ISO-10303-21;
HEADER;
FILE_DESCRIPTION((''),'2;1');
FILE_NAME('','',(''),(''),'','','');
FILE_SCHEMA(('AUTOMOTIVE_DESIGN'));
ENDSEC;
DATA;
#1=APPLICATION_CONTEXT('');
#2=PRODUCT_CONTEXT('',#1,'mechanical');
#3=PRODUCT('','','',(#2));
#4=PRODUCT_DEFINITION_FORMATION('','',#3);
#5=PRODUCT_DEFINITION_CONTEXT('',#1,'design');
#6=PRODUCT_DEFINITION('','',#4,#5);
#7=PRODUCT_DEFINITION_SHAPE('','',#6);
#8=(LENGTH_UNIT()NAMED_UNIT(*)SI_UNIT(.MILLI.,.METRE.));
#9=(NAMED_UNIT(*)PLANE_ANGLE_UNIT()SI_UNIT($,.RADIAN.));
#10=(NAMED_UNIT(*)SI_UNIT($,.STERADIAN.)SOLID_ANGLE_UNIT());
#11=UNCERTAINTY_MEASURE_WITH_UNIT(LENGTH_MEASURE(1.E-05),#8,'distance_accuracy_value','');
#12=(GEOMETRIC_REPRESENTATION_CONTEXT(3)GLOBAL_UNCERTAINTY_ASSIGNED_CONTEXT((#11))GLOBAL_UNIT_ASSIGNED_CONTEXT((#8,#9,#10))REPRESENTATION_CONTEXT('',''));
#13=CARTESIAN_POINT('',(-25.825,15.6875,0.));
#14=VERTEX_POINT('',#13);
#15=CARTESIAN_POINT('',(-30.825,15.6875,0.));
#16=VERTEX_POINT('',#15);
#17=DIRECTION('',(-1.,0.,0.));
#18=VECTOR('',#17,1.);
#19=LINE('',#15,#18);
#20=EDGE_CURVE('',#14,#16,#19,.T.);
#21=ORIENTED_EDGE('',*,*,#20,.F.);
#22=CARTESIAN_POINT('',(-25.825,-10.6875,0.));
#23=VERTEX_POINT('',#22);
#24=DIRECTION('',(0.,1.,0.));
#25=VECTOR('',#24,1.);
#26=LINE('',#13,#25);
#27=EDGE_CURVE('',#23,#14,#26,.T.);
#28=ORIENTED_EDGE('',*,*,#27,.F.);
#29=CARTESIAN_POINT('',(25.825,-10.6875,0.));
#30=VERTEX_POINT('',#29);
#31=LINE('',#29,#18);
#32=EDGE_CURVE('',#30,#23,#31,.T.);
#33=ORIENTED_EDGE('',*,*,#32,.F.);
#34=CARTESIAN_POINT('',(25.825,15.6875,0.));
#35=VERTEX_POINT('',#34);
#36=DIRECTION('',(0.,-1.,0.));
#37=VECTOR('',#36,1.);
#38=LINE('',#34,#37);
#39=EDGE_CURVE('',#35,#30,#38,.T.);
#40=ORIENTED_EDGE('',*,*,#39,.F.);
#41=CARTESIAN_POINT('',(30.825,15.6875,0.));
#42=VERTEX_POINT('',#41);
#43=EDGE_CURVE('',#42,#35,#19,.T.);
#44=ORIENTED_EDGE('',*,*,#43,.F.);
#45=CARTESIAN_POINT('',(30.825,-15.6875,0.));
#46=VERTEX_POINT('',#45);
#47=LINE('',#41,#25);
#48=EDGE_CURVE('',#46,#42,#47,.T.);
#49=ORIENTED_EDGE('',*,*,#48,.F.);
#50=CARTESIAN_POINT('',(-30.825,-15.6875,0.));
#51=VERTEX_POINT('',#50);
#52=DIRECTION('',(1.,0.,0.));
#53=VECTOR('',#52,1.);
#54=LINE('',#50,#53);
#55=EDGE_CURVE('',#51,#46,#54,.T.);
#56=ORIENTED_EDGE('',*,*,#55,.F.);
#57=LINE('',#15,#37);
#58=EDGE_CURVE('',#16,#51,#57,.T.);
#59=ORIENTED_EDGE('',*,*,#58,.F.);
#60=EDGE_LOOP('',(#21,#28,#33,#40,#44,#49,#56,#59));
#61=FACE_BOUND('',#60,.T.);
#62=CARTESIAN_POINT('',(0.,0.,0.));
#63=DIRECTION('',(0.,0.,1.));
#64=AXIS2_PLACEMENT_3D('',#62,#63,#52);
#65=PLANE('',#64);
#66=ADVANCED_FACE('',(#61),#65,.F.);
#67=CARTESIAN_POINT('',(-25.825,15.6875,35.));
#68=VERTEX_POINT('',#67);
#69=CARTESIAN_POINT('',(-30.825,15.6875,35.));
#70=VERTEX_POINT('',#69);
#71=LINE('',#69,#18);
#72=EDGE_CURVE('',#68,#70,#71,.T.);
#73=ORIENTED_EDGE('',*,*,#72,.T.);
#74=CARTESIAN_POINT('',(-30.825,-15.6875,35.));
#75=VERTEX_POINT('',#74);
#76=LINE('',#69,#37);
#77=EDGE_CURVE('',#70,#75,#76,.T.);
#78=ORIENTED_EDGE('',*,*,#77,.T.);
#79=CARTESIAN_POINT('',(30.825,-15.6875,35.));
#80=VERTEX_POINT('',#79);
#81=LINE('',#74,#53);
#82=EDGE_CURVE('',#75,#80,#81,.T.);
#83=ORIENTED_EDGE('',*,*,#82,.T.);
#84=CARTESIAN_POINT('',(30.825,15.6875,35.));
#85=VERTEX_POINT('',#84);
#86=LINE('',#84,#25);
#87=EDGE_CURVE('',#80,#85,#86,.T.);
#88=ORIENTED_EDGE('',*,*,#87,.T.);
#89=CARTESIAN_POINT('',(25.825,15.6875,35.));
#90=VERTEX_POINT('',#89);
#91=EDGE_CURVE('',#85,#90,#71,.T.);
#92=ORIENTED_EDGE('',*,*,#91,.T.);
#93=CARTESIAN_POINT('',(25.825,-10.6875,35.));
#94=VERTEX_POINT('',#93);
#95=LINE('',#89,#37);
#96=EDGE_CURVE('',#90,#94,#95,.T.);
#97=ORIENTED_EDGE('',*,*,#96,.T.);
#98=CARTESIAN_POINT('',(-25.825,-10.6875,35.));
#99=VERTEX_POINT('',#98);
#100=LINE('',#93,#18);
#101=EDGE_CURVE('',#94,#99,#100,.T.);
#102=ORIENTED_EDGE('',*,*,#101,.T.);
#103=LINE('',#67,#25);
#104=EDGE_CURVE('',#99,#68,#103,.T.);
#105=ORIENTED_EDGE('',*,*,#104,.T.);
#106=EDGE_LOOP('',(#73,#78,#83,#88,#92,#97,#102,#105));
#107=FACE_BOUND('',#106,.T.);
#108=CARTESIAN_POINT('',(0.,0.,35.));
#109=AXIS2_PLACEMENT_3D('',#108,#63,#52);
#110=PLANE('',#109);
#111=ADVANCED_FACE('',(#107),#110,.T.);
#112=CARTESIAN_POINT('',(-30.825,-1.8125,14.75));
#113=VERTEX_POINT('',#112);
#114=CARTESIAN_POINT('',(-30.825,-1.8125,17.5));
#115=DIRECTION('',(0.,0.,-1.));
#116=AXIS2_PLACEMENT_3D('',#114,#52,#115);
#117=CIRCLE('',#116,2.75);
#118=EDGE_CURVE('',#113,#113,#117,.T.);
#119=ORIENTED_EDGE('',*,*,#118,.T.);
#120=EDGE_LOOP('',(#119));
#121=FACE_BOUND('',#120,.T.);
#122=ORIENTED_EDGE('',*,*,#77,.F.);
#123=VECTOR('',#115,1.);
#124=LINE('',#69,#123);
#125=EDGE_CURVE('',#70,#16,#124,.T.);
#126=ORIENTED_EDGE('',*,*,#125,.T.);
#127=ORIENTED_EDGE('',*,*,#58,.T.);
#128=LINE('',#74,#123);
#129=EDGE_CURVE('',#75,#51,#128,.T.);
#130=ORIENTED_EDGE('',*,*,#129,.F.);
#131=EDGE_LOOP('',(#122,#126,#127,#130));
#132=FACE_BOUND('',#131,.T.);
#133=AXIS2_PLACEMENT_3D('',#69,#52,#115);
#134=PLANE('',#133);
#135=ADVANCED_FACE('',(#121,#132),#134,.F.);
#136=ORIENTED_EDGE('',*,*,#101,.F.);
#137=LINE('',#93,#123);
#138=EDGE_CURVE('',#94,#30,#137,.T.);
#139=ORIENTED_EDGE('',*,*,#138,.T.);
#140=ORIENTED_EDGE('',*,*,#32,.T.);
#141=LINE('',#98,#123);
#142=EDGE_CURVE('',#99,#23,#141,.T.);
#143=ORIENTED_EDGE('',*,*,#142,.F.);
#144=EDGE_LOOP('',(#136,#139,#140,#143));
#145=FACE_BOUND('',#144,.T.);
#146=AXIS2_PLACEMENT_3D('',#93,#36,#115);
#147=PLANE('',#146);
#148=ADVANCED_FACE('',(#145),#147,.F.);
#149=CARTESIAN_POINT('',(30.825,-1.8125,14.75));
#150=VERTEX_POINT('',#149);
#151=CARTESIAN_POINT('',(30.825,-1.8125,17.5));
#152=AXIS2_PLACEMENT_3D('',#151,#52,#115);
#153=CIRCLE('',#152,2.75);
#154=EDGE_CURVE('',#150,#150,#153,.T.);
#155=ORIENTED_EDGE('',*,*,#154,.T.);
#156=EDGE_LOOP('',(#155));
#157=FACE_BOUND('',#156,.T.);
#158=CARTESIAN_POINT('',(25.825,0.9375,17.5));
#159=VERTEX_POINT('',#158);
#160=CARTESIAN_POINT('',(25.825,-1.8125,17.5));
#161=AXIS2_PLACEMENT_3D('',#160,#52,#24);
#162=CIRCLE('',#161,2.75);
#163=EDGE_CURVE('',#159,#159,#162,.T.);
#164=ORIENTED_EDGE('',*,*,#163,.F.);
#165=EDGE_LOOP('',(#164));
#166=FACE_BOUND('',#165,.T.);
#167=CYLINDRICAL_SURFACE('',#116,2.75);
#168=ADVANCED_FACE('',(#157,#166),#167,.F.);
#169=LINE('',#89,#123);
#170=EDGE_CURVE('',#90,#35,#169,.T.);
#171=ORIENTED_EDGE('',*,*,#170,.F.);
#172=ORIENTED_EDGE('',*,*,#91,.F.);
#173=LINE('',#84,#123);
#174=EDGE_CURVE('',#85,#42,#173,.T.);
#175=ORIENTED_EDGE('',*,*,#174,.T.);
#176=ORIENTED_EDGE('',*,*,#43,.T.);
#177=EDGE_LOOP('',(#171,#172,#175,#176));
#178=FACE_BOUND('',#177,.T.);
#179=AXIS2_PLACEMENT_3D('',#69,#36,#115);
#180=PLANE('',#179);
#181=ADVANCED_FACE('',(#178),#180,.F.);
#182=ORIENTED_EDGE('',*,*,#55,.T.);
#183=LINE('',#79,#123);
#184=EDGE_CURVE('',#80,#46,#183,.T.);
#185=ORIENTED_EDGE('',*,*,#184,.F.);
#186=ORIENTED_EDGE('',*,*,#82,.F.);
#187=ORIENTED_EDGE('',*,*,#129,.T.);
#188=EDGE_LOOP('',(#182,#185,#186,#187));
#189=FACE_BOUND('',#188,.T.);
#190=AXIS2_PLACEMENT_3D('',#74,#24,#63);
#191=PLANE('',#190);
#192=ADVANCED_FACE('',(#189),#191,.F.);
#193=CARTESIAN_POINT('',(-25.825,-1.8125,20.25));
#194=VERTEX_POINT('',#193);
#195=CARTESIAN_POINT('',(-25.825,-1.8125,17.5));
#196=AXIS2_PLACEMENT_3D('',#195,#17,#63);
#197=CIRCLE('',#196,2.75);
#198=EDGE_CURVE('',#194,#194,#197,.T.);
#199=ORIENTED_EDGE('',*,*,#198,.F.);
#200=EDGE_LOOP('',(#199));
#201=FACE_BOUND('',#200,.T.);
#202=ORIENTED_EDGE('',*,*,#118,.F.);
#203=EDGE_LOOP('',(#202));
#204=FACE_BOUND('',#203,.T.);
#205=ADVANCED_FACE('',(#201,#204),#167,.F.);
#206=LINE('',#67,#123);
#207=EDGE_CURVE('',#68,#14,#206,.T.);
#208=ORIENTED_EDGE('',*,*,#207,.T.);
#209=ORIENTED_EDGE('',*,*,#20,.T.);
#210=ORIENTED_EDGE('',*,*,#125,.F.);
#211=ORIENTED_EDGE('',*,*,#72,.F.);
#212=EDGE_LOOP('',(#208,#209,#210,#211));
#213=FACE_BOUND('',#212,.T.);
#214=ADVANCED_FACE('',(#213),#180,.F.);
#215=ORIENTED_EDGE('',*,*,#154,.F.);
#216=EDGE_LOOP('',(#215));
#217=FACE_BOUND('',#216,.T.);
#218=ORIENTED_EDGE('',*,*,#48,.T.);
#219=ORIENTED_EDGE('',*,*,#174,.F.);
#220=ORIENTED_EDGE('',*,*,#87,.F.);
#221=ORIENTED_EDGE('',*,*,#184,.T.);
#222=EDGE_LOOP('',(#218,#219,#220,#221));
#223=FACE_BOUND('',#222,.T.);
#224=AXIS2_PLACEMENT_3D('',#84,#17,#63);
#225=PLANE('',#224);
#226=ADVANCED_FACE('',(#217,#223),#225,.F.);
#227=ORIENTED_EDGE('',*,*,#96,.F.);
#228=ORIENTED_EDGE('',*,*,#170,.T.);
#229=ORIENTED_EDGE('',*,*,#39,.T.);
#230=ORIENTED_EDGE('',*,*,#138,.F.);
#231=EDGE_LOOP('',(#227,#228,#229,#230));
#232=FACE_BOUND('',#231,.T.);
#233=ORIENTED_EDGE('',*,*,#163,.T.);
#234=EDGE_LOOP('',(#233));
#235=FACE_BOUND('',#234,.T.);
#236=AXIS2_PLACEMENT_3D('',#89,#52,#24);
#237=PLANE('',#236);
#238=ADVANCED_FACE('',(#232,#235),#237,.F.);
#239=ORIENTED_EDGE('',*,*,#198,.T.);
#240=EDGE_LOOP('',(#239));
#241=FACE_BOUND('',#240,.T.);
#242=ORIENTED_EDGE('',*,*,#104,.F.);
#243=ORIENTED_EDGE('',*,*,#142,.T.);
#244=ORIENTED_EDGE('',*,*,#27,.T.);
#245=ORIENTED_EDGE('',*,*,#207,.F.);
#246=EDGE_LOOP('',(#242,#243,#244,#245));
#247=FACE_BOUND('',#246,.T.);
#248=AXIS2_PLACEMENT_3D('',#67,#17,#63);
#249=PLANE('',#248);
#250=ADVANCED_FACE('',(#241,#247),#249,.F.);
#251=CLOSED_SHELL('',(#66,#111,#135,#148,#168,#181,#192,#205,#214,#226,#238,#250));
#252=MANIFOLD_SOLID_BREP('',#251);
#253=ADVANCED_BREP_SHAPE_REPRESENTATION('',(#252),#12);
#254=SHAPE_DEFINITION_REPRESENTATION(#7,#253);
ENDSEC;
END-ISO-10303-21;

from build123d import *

# Parameters (mm, degrees)
SKETCH1_W           = 61.65
SKETCH1_H           = 31.375
BOSS_EXTRUDE1_DEPTH = 35
SKETCH2_W           = 51.65
SKETCH2_H           = 26.375
CUT_EXTRUDE1_DEPTH  = 50.206486171
SKETCH3_R           = 2.75
CUT_EXTRUDE2_DEPTH  = 73.607300984


with BuildPart() as part:
    # Sketch1 → Boss-Extrude1 (new body)
    with BuildSketch(Plane.XY):
        Rectangle(SKETCH1_W, SKETCH1_H)
    extrude(amount=BOSS_EXTRUDE1_DEPTH)

    # Sketch2 → Cut-Extrude1 (cut, through all)
    with BuildSketch(Plane(origin=(0, 0, 0), x_dir=(-1, 0, 0), z_dir=(0, 0, -1))):
        with Locations((0, 2.5)):
            Rectangle(SKETCH2_W, SKETCH2_H)
    extrude(amount=-CUT_EXTRUDE1_DEPTH, mode=Mode.SUBTRACT)

    # Sketch3 → Cut-Extrude2 (cut, through all)
    with BuildSketch(Plane(origin=(30.825, 0, 0), x_dir=(0, 0, -1), z_dir=(1, 0, 0))):
        with Locations((-17.5, -1.8125)):
            Circle(SKETCH3_R)
    extrude(amount=-CUT_EXTRUDE2_DEPTH, mode=Mode.SUBTRACT)


solid = part.part
